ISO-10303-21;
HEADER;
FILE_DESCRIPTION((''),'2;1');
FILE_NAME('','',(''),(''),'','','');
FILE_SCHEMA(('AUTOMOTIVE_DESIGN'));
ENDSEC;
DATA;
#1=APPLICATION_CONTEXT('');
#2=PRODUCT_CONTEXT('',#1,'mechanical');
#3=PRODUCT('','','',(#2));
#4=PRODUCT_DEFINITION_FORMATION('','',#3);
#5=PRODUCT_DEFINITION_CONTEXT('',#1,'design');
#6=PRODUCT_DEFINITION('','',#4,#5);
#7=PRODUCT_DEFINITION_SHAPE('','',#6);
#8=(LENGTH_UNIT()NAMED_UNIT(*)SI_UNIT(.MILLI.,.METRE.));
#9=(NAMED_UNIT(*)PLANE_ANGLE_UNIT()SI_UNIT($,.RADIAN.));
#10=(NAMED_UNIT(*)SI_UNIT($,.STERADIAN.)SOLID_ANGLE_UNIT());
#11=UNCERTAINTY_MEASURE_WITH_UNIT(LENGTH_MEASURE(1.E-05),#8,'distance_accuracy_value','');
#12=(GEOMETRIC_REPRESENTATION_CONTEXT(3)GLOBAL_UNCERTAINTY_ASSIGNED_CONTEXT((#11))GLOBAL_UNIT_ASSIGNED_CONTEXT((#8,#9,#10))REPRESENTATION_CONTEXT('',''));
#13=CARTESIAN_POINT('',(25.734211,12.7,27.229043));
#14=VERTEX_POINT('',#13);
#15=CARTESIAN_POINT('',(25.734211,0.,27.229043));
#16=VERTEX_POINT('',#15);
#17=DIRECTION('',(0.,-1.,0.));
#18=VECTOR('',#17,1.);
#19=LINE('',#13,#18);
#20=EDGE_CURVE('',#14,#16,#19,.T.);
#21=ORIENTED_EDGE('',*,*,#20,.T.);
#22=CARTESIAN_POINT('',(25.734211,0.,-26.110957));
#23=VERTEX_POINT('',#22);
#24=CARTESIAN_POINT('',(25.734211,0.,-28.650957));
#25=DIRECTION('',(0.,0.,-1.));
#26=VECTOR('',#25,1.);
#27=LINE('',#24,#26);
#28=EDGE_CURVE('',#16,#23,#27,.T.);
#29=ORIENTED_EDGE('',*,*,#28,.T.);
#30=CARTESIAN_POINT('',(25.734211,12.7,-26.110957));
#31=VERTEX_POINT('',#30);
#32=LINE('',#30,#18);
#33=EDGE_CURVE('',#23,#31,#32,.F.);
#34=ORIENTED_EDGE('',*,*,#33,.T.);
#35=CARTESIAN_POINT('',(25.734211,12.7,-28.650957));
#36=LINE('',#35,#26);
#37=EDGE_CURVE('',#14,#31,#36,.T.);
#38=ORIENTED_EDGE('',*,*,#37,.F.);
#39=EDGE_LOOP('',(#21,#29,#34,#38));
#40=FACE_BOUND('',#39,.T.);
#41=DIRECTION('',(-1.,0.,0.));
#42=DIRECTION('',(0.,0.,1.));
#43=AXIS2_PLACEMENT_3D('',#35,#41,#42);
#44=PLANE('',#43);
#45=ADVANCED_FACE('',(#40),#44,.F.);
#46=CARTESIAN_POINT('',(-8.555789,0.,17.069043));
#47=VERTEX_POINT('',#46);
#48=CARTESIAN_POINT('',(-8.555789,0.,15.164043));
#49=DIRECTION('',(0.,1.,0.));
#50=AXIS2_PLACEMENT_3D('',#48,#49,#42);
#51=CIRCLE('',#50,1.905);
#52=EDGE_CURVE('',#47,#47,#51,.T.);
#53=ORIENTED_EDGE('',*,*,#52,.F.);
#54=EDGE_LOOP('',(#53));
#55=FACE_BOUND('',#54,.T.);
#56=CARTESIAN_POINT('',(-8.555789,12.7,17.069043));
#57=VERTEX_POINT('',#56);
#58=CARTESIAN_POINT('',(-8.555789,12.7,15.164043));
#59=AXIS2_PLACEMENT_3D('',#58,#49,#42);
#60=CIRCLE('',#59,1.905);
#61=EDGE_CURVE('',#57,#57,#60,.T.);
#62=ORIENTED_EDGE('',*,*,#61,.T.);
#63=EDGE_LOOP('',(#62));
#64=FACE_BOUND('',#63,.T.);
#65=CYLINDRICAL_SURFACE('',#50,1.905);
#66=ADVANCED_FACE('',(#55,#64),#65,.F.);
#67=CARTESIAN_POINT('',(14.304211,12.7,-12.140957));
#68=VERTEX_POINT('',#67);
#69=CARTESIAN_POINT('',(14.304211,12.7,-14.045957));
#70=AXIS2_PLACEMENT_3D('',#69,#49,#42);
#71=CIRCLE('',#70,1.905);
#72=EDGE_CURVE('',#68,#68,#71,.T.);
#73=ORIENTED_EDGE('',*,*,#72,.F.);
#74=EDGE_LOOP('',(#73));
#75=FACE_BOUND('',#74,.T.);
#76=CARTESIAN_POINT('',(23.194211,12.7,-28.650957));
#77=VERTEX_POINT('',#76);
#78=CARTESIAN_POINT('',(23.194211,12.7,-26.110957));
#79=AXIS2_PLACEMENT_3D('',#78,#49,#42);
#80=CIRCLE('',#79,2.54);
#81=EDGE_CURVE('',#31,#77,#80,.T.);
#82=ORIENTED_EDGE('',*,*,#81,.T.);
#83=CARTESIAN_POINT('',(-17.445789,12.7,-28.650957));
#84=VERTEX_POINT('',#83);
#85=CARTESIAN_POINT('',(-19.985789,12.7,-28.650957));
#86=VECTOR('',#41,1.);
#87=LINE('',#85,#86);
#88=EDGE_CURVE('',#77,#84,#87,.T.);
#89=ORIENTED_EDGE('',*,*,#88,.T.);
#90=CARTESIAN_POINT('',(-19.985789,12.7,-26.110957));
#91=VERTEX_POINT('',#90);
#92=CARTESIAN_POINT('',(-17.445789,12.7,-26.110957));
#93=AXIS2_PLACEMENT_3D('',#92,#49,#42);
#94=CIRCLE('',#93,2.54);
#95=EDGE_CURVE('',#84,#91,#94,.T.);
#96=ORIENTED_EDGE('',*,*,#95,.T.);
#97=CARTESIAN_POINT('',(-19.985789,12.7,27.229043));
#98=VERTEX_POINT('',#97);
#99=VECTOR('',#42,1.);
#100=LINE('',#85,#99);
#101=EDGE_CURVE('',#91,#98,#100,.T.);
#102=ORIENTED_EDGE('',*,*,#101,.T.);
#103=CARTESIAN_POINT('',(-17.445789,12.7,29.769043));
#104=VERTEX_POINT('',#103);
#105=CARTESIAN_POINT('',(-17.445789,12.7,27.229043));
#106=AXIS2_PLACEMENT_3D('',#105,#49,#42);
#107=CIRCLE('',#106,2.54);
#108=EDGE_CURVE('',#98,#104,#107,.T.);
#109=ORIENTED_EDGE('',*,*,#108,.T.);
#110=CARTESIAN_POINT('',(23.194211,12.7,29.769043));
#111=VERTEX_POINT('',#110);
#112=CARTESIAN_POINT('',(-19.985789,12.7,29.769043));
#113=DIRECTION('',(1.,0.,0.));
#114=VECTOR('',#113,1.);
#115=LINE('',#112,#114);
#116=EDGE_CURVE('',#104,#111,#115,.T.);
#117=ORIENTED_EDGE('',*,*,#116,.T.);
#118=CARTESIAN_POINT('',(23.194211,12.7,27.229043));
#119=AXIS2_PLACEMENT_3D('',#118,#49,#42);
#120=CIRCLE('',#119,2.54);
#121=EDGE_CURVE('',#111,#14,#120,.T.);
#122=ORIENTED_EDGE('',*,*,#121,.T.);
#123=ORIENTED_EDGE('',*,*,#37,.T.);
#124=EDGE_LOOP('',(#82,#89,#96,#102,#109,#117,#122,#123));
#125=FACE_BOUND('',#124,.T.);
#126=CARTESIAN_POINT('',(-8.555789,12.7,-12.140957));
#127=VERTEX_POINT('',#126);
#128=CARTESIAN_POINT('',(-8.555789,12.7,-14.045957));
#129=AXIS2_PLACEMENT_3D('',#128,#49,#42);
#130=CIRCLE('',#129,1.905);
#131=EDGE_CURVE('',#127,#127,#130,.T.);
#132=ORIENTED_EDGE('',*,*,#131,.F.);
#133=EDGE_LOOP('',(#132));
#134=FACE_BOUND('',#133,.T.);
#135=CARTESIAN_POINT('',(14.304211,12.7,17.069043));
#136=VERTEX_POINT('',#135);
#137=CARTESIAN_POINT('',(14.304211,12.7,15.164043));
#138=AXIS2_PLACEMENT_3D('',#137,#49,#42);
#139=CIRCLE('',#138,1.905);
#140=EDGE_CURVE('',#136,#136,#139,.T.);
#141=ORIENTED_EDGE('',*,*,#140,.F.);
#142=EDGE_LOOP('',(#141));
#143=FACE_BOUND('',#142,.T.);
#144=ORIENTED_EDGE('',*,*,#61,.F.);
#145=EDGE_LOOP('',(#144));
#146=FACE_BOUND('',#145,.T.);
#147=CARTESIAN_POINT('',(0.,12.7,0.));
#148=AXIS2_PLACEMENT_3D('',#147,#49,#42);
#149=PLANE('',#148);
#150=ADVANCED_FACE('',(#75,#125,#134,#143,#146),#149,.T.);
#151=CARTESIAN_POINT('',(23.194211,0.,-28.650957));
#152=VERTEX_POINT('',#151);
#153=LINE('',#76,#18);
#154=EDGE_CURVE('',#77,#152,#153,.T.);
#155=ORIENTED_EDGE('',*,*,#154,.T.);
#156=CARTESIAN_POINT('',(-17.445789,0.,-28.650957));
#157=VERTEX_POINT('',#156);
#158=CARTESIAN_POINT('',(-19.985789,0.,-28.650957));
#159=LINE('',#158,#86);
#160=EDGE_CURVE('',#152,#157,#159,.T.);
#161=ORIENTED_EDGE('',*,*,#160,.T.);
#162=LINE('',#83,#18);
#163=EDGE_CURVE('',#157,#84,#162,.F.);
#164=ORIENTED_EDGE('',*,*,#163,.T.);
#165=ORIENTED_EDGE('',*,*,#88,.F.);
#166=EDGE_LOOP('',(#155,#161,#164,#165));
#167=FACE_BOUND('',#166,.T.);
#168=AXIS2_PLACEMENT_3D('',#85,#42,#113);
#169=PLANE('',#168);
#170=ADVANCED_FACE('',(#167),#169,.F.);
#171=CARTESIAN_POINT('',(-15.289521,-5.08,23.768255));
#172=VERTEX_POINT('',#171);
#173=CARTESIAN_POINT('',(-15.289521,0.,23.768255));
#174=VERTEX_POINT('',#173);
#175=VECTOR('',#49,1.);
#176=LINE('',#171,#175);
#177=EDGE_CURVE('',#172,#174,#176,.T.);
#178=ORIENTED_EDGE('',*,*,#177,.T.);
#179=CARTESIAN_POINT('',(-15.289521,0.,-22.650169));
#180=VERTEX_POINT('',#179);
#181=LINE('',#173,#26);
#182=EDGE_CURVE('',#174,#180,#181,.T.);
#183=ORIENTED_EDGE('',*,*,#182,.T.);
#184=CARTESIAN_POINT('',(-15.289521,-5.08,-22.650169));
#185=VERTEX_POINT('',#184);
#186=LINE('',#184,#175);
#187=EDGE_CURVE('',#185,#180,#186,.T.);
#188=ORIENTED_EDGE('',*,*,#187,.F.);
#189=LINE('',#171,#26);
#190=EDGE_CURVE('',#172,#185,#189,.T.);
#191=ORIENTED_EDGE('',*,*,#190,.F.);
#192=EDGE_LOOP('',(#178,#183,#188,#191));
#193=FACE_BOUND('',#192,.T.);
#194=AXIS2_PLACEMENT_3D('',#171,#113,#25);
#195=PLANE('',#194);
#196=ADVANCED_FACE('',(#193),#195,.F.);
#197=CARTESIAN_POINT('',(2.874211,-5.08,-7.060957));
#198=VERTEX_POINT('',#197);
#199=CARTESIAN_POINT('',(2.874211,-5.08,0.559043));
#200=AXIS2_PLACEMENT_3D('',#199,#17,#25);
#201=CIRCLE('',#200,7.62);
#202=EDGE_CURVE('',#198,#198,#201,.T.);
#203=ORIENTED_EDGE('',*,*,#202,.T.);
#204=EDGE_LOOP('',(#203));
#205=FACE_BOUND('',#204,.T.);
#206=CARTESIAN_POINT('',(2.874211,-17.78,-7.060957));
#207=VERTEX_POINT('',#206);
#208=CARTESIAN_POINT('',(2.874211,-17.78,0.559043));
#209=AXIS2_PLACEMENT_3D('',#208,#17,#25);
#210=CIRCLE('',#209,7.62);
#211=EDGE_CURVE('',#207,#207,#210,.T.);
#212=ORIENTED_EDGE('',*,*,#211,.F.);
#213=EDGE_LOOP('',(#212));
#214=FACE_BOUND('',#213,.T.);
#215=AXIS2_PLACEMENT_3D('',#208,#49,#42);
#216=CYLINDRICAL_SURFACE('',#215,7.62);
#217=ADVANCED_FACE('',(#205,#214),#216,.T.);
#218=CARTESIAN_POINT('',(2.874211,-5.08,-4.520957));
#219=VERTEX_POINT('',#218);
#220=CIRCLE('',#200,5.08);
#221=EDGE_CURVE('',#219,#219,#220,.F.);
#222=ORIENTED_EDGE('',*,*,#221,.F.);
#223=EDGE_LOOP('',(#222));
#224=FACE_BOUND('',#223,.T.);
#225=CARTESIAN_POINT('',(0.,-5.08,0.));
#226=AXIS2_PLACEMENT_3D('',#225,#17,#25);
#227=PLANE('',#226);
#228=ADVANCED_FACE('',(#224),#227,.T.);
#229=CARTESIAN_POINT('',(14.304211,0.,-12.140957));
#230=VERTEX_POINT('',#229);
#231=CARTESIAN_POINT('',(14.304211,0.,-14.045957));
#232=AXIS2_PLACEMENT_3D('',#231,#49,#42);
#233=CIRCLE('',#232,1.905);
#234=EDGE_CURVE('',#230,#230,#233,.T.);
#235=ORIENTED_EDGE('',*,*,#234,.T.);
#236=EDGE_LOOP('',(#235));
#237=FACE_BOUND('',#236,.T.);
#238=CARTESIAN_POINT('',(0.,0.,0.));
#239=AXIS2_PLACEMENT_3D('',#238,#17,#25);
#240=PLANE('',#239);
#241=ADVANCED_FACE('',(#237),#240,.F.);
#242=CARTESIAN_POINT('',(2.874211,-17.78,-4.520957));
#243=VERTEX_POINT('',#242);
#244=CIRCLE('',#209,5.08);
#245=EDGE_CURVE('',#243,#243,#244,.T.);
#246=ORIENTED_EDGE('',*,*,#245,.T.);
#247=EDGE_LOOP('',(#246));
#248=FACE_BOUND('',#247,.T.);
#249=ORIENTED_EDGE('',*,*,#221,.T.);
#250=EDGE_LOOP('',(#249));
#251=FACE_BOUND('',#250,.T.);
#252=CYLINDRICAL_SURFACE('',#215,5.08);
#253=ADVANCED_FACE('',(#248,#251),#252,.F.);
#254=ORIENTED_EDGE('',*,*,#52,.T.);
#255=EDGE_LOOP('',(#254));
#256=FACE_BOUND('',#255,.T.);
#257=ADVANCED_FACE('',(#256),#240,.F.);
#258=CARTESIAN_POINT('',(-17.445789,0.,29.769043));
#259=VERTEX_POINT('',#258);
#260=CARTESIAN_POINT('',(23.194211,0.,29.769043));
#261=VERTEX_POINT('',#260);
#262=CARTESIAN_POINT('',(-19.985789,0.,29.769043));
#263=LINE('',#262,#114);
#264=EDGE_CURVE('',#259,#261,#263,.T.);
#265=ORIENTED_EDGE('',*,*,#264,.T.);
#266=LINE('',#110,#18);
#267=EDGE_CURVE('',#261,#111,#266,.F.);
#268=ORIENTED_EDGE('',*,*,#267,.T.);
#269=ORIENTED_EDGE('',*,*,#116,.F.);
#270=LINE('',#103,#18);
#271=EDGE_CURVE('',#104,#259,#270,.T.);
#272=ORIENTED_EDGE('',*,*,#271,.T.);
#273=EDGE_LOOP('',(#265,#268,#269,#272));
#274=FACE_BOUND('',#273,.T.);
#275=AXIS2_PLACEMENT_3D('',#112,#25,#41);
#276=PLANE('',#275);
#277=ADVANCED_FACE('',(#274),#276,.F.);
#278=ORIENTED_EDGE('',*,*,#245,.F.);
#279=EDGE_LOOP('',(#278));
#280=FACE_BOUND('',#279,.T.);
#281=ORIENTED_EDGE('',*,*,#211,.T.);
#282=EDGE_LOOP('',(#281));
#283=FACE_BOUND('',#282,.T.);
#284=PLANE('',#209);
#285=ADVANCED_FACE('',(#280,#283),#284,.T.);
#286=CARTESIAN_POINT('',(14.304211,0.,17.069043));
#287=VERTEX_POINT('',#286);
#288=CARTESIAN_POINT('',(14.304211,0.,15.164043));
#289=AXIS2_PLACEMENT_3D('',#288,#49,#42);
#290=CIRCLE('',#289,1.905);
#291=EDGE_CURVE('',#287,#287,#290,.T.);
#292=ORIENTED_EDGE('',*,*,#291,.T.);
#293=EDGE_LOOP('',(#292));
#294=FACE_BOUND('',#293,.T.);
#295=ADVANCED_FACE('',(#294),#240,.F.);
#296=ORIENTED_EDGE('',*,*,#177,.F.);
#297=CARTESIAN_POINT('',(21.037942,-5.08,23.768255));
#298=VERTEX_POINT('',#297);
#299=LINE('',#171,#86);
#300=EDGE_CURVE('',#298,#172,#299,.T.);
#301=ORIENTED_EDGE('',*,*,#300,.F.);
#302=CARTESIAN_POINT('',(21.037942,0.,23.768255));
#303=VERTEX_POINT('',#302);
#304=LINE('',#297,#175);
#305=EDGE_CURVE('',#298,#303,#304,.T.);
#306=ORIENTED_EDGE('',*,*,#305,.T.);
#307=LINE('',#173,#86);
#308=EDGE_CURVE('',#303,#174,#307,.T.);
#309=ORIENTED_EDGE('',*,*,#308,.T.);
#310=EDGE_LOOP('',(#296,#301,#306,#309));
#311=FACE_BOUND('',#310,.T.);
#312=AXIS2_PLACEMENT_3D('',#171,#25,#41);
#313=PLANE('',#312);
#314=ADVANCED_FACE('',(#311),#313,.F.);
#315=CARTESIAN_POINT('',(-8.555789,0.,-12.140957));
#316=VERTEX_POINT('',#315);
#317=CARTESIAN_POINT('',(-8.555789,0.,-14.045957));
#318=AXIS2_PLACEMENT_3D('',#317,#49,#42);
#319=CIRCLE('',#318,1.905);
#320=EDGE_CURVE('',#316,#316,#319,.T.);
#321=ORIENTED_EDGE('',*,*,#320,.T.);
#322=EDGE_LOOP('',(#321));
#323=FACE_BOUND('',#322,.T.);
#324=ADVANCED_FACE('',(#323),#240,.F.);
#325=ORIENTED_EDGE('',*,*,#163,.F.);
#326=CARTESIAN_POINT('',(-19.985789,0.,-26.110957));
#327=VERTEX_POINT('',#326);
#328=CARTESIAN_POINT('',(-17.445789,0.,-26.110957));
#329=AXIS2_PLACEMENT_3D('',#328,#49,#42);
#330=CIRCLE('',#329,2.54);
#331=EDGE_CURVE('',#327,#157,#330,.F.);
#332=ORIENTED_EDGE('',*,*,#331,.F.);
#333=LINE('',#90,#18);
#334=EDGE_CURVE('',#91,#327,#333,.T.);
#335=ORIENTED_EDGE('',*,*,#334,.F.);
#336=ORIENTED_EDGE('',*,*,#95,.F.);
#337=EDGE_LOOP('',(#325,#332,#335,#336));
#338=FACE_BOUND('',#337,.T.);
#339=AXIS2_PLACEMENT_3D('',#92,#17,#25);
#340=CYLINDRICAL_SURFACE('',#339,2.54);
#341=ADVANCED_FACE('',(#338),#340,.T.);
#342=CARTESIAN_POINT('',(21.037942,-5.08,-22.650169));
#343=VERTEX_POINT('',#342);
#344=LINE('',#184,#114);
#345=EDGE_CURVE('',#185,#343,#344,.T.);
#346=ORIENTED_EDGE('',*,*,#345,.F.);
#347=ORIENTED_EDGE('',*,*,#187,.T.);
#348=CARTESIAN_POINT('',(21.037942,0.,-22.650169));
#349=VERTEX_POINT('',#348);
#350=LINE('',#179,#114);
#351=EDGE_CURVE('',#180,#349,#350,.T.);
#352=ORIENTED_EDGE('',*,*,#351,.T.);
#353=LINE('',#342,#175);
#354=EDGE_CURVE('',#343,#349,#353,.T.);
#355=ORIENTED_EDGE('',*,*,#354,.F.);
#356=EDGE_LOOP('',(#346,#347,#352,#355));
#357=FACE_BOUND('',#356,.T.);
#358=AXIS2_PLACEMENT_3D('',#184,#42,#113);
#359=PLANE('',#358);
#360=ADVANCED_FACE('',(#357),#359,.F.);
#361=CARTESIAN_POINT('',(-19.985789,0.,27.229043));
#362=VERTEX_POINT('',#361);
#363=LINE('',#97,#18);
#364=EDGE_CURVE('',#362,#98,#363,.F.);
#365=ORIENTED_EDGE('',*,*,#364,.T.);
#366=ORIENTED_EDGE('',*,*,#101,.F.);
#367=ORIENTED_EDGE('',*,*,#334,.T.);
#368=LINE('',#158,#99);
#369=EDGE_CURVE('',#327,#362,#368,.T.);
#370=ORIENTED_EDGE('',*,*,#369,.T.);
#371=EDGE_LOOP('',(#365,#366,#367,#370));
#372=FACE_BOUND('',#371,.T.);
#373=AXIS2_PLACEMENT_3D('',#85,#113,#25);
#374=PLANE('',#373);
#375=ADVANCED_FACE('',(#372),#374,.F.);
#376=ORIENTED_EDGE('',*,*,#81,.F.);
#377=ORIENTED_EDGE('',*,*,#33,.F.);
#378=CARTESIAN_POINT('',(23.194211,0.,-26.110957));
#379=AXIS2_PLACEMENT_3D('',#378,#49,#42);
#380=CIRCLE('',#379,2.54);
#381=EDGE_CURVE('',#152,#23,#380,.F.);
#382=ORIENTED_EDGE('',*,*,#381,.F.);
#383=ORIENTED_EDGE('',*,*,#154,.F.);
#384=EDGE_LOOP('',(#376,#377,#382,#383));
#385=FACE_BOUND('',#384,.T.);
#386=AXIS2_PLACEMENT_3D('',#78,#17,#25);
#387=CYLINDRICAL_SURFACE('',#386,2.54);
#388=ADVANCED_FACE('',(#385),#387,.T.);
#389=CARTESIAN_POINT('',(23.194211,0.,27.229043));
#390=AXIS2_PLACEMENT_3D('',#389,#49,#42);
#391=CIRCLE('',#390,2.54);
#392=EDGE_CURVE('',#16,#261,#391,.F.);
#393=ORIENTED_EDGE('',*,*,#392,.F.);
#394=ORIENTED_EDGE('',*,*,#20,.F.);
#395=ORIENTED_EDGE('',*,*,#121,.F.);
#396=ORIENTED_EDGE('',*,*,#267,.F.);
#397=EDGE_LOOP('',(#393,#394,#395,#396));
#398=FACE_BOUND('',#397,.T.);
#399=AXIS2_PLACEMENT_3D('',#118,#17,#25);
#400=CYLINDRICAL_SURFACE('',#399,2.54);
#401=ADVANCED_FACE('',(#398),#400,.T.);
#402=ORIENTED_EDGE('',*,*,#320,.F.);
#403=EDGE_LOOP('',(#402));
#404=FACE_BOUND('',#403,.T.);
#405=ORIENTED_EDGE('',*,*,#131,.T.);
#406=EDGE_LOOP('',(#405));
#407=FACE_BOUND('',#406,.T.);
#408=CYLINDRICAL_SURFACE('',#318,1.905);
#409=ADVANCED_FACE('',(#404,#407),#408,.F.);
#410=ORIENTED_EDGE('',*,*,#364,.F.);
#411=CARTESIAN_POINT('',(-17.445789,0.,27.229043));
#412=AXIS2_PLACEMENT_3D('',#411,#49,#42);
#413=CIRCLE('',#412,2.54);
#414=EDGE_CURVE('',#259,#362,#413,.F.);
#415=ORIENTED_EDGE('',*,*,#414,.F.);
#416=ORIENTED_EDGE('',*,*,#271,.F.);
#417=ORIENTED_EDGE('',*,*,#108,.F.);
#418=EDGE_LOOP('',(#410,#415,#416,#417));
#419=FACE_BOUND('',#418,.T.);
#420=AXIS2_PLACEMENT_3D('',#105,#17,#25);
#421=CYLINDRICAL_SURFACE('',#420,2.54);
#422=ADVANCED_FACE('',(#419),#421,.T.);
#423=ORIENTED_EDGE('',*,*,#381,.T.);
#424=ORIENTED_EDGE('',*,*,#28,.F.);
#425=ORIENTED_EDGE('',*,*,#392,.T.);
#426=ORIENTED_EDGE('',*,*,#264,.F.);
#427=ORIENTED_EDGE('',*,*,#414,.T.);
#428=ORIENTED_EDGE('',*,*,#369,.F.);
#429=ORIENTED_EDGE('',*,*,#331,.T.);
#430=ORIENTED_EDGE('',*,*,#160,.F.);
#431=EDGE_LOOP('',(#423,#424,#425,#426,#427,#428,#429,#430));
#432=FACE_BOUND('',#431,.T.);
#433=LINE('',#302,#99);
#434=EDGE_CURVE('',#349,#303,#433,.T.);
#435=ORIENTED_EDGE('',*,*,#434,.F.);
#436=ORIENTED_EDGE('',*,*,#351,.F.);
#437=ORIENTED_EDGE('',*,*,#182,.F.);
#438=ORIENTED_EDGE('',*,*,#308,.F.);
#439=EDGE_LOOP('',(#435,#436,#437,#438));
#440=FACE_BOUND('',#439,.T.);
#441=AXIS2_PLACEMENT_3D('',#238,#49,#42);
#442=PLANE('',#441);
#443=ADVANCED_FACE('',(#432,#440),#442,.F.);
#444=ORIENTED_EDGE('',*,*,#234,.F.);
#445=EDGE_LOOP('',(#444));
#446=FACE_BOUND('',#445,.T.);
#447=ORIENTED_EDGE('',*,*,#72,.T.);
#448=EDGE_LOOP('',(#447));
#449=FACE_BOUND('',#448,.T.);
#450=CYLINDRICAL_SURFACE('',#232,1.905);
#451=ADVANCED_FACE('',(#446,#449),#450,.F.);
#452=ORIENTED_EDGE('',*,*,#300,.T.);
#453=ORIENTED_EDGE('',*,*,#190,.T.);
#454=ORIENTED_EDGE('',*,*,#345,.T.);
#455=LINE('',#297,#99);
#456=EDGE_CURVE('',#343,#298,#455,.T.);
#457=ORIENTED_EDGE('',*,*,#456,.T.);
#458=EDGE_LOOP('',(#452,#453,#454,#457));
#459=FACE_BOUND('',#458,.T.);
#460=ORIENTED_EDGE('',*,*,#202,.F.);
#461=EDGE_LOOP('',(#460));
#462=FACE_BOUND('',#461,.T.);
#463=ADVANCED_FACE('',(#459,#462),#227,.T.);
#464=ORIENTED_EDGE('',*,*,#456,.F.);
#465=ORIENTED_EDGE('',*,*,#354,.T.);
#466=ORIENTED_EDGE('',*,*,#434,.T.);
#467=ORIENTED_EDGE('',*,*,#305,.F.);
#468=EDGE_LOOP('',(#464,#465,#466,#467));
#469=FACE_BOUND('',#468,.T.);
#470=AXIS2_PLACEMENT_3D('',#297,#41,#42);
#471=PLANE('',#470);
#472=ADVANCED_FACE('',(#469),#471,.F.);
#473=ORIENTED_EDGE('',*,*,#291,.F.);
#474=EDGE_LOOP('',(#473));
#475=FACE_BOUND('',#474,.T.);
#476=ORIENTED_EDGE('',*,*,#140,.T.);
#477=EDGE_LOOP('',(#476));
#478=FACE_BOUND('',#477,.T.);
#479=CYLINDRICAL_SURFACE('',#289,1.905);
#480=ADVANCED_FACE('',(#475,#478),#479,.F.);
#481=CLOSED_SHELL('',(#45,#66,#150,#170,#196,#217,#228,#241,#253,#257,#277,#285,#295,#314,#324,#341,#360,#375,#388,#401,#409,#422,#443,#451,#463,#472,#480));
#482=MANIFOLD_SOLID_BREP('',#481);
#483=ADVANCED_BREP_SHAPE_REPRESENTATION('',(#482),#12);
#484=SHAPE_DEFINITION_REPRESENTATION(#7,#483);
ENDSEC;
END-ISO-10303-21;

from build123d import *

# Parameters (mm, degrees)
SKETCH1_W           = 45.72
SKETCH1_H           = 58.42
BOSS_EXTRUDE1_DEPTH = 12.7
SKETCH2_R           = 1.905
CUT_EXTRUDE1_DEPTH  = 42.348948188
SKETCH3_W           = 36.327462092
SKETCH3_H           = 46.418423785
BOSS_EXTRUDE2_DEPTH = 5.08
SKETCH4_R           = 7.62
SKETCH4_R_2         = 5.08
BOSS_EXTRUDE3_DEPTH = 12.7
FILLET1_R           = 2.54


with BuildPart() as part:
    # Sketch1 → Boss-Extrude1 (new body)
    with BuildSketch(Plane(origin=(0, 0, 0), x_dir=(1, 0, 0), z_dir=(0, 1, 0))):
        with Locations((2.874210526, -0.559043062)):
            Rectangle(SKETCH1_W, SKETCH1_H)
    extrude(amount=BOSS_EXTRUDE1_DEPTH)

    # Sketch2 → Cut-Extrude1 (cut, through all)
    with BuildSketch(Plane(origin=(0, 12.7, 0), x_dir=(1, 0, 0), z_dir=(0, 1, 0))):
        with Locations(Location((-8.555789474, 14.045956938, 0), (0, 0, 270))):
            Circle(SKETCH2_R)
        with Locations(Location((14.304210526, 14.045956938, 0), (0, 0, 270))):
            Circle(SKETCH2_R)
        with Locations(Location((-8.555789474, -15.164043062, 0), (0, 0, 270))):
            Circle(SKETCH2_R)
        with Locations(Location((14.304210526, -15.164043062, 0), (0, 0, 270))):
            Circle(SKETCH2_R)
    extrude(amount=-CUT_EXTRUDE1_DEPTH, mode=Mode.SUBTRACT)

    # Sketch3 → Boss-Extrude2 (add)
    with BuildSketch(Plane.XZ):
        with Locations((2.874210526, 0.559043062)):
            Rectangle(SKETCH3_W, SKETCH3_H)
    extrude(amount=BOSS_EXTRUDE2_DEPTH)

    # Sketch4 → Boss-Extrude3 (add)
    with BuildSketch(Plane.XZ.offset(5.08)):
        with Locations(Location((2.874210526, 0.559043062, 0), (0, 0, 270))):
            Circle(SKETCH4_R)
        with Locations(Location((2.874210526, 0.559043062, 0), (0, 0, 270))):
            Circle(SKETCH4_R_2, mode=Mode.SUBTRACT)
    extrude(amount=BOSS_EXTRUDE3_DEPTH)

    # Fillet1
    fillet1_edges = [part.edges().sort_by_distance(p)[0] for p in [
        (-19.985789474, 6.35, -28.650956938),
        (25.734210526, 6.35, -28.650956938),
        (25.734210526, 6.35, 29.769043062),
        (-19.985789474, 6.35, 29.769043062),
    ]]
    fillet(fillet1_edges, radius=FILLET1_R)


solid = part.part
